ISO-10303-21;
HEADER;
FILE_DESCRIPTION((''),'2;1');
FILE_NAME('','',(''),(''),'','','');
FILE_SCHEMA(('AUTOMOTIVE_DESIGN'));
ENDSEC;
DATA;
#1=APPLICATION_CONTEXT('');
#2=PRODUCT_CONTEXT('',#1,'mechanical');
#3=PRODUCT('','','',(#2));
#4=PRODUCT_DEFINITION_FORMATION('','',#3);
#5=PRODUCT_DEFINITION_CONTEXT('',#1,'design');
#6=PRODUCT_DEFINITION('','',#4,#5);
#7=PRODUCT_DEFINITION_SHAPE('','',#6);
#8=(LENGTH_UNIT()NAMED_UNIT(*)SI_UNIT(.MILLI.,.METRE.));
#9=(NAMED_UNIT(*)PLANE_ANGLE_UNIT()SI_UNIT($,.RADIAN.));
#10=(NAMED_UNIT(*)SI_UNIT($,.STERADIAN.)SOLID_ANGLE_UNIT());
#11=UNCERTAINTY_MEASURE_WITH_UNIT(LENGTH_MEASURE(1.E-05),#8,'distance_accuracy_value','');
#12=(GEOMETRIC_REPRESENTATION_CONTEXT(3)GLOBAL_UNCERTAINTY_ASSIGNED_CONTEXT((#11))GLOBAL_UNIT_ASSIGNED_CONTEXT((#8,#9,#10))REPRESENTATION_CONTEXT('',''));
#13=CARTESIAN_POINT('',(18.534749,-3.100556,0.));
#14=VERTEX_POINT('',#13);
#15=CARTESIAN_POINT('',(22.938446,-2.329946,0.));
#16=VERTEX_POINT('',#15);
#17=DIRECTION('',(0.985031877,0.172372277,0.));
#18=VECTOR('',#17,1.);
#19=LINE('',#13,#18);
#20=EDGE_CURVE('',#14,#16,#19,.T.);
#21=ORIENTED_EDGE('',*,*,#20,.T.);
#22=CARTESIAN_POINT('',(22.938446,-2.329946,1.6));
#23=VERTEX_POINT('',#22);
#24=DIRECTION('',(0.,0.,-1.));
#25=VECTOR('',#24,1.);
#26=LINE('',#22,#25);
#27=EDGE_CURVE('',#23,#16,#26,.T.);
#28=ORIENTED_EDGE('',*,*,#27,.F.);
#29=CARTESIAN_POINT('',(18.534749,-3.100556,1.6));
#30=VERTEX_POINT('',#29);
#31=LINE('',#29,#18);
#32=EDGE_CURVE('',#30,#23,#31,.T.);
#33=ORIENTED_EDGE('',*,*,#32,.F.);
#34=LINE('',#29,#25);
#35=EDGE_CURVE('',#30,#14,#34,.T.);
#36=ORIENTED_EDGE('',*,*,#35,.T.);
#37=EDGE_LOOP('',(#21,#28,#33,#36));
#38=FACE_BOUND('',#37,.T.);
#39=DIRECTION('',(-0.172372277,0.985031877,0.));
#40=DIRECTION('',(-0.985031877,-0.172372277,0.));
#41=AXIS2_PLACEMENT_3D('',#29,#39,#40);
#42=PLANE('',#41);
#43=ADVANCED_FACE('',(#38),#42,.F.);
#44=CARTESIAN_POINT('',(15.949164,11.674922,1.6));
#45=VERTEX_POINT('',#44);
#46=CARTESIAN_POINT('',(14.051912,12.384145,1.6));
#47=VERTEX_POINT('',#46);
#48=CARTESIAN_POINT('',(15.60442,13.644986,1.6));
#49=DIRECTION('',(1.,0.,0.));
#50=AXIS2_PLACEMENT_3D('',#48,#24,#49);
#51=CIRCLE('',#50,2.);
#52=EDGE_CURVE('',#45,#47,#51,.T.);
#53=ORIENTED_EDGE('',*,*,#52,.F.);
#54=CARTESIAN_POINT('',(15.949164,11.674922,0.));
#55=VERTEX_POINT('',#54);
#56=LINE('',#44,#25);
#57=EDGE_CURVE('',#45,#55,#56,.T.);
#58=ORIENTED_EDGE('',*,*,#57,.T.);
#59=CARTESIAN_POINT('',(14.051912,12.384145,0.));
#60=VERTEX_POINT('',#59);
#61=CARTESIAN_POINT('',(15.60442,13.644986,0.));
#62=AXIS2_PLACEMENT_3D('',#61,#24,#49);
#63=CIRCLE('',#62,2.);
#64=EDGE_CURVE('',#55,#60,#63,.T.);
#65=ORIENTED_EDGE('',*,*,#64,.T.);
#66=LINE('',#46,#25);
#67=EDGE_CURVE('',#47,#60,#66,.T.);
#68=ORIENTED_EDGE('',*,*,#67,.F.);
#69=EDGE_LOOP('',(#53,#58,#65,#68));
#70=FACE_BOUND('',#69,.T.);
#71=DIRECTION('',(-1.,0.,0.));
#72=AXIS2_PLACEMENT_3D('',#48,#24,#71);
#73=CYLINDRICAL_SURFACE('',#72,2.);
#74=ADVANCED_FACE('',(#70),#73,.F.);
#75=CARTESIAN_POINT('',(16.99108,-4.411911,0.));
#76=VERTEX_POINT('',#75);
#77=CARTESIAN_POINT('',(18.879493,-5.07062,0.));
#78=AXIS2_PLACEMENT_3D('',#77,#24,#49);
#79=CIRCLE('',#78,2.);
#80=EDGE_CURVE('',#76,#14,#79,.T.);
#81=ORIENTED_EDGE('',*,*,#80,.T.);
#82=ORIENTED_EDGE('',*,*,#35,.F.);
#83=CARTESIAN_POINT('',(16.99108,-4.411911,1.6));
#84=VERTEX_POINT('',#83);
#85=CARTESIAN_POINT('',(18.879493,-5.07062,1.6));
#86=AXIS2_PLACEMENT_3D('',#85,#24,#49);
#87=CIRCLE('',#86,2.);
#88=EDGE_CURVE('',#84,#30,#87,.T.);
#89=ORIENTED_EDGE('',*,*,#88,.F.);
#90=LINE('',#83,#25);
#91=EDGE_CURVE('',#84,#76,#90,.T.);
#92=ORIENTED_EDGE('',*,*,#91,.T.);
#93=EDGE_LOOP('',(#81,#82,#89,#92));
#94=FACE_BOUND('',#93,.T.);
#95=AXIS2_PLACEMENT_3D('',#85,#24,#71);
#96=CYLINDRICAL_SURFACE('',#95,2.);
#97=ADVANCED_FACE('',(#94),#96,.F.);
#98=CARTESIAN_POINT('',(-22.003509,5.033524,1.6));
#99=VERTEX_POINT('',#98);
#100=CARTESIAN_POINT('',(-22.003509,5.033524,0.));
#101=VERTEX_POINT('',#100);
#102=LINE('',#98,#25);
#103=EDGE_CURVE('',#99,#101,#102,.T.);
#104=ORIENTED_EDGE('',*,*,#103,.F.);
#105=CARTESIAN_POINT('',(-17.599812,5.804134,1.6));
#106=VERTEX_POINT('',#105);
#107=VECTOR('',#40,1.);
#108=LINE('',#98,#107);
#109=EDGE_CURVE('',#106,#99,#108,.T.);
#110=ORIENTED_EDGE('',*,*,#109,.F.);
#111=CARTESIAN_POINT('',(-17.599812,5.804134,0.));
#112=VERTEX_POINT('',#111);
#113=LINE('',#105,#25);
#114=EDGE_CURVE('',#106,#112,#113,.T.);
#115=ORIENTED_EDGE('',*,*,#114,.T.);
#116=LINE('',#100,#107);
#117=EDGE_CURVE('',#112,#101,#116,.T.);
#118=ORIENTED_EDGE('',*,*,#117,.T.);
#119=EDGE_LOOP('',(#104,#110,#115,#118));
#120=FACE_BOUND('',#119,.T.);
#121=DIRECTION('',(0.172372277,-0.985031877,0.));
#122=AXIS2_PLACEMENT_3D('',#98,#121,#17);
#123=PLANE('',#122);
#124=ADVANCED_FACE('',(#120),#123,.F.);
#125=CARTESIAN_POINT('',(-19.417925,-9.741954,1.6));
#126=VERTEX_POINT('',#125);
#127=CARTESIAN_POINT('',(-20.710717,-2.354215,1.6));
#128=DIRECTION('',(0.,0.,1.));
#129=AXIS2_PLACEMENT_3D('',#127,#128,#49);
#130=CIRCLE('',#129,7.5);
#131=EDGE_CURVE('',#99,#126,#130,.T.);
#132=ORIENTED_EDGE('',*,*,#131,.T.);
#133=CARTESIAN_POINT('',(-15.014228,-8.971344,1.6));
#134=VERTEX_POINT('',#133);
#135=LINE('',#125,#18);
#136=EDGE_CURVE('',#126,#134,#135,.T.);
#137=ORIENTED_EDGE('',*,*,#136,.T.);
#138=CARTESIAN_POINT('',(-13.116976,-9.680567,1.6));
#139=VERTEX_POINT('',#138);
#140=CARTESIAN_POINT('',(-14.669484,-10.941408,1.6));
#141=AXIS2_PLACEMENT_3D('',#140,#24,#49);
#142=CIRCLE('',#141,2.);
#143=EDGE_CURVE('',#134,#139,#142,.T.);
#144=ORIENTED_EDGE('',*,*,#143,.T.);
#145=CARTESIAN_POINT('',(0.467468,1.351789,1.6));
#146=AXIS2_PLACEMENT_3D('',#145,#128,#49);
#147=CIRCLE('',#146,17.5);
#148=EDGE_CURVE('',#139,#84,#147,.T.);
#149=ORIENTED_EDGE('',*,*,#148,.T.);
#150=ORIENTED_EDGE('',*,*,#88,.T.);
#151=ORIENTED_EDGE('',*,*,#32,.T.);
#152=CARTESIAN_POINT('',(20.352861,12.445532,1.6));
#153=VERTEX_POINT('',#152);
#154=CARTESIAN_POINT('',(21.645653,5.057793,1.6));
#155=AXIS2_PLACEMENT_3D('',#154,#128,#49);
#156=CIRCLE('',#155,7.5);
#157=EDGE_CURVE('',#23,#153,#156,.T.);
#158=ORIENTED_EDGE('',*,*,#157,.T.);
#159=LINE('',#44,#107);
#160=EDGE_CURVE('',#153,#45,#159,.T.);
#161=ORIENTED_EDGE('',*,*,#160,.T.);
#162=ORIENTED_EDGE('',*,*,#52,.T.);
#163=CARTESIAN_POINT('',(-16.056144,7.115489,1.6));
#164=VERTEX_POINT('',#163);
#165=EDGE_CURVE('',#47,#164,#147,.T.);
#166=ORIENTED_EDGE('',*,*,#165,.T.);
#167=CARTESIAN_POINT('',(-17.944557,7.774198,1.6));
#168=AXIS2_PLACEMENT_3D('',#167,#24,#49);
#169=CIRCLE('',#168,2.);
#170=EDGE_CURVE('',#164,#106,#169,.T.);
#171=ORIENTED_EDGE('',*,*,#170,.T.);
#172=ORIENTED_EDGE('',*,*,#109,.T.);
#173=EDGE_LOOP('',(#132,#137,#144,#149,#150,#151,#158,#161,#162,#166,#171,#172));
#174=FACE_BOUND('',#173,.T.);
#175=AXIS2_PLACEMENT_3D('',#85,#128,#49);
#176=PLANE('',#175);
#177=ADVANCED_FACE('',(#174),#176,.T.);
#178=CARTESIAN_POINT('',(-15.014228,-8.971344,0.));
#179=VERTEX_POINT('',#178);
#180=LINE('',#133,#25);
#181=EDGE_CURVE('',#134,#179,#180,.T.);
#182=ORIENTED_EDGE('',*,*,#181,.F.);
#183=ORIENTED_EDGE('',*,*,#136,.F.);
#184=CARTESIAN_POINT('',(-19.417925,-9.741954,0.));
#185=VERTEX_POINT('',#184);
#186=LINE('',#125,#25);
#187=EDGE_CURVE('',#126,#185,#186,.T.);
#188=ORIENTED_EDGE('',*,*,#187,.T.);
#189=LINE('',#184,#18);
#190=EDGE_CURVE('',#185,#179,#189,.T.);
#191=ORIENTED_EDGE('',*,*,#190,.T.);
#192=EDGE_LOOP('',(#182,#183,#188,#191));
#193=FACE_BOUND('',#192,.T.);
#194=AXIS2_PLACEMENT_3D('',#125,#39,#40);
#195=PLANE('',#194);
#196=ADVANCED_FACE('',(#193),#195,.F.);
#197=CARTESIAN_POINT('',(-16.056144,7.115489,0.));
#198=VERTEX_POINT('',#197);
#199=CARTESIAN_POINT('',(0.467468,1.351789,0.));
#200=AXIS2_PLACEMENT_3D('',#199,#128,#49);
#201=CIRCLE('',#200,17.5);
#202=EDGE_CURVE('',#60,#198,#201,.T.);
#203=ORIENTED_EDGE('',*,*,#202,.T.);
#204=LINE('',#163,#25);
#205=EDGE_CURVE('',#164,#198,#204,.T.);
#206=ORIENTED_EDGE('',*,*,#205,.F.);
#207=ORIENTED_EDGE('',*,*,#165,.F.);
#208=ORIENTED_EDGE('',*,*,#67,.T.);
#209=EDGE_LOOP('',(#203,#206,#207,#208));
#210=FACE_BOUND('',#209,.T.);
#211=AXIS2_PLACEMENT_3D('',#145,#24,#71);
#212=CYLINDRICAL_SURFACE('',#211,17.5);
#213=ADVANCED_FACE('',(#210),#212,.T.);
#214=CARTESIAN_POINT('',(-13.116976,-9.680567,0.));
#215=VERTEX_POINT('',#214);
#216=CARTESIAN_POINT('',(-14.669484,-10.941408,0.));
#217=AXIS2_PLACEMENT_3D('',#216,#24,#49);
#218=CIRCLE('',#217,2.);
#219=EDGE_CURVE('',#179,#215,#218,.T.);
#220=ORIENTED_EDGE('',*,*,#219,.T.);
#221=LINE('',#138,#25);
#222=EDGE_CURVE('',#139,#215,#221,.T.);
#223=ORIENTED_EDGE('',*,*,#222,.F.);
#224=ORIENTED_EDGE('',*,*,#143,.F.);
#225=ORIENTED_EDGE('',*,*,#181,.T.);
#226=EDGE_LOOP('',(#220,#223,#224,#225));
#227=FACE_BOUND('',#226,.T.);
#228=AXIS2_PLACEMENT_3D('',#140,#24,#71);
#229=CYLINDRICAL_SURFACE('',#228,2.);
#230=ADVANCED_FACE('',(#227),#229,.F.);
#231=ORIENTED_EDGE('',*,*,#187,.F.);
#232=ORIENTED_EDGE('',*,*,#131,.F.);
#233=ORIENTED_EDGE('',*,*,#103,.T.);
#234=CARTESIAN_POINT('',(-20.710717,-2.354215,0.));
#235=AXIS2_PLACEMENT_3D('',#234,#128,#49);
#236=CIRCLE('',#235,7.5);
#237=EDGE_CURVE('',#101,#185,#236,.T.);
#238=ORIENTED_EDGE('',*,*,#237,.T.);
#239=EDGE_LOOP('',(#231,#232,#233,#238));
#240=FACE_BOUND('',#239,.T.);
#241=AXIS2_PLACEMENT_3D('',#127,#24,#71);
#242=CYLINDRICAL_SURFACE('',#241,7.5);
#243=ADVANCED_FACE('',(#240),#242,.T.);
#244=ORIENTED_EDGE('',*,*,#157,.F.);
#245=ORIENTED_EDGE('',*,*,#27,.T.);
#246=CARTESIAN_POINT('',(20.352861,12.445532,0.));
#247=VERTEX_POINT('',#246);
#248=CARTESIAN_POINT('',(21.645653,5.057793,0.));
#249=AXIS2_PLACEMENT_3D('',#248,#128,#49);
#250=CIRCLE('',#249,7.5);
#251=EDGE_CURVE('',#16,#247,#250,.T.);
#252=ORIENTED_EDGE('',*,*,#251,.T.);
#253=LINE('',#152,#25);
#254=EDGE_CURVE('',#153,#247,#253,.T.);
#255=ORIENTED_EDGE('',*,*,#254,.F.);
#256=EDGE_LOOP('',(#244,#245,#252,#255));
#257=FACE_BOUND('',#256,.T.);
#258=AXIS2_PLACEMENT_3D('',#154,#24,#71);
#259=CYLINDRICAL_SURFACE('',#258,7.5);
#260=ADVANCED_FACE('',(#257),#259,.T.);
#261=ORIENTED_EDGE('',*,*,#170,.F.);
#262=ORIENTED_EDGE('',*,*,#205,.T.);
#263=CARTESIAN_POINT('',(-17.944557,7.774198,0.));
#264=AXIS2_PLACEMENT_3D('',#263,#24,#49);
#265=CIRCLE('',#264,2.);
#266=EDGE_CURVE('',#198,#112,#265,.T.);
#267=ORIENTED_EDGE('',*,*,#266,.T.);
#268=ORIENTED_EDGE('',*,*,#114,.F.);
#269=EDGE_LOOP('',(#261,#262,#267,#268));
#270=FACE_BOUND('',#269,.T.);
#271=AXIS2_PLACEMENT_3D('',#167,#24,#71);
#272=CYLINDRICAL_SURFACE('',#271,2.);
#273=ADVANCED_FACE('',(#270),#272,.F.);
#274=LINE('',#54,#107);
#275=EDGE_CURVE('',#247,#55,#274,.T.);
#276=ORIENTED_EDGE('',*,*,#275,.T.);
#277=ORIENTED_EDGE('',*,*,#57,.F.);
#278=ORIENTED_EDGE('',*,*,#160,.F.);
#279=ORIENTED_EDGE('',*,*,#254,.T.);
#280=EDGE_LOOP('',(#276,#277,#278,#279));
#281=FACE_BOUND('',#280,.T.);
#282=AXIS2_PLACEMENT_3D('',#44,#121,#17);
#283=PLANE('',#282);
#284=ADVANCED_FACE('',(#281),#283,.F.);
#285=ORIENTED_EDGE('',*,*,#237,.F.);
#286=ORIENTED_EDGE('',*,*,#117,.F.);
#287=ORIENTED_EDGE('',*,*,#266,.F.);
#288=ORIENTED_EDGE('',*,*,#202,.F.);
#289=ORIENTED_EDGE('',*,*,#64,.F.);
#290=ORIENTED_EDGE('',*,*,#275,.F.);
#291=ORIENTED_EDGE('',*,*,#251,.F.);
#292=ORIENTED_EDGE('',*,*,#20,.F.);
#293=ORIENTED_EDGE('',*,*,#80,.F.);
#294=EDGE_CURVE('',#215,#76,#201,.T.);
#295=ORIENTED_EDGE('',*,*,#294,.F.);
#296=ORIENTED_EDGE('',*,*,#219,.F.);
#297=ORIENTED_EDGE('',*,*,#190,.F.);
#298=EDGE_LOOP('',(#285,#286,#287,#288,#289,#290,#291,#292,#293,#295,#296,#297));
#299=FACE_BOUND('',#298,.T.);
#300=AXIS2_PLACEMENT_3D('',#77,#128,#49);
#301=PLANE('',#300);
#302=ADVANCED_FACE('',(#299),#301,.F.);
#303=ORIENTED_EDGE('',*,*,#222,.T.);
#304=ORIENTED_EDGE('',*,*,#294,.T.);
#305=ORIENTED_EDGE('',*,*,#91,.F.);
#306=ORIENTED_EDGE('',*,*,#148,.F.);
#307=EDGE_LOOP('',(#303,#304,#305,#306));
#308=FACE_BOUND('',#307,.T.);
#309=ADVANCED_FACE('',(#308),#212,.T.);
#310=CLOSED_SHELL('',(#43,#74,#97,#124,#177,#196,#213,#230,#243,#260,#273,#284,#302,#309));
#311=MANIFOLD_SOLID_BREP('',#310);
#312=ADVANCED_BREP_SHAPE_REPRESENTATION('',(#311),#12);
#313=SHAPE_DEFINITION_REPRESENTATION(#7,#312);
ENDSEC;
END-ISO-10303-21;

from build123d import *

# Parameters (mm, degrees)
BOSS_EXTRUDE1_DEPTH = 1.6


with BuildPart() as part:
    # Sketch1 → Boss-Extrude1 (new body)
    with BuildSketch(Plane.XY):
        with BuildLine():
            Line((-22.003509284, 5.033524036), (-17.599812346, 5.804133886))
            ThreePointArc((-17.599812346, 5.804133886), (-16.649697423, 6.249947352), (-16.056144074, 7.115489052))
            ThreePointArc((-16.056144074, 7.115489052), (-2.5490467, 18.589846752), (14.05191205, 12.384145126))
            ThreePointArc((14.05191205, 12.384145126), (14.904118282, 11.771599168), (15.949164479, 11.674922083))
            Line((15.949164479, 11.674922083), (20.352861417, 12.445531933))
            ThreePointArc((20.352861417, 12.445531933), (29.033392568, 6.350584932), (22.938445567, -2.329946219))
            Line((22.938445567, -2.329946219), (18.534748629, -3.100556069))
            ThreePointArc((18.534748629, -3.100556069), (17.584633707, -3.546369535), (16.991080357, -4.411911234))
            ThreePointArc((16.991080357, -4.411911234), (3.483982983, -15.886268935), (-13.116975767, -9.680567308))
            ThreePointArc((-13.116975767, -9.680567308), (-13.969181999, -9.068021351), (-15.014228195, -8.971344265))
            Line((-15.014228195, -8.971344265), (-19.417925134, -9.741954115))
            ThreePointArc((-19.417925134, -9.741954115), (-28.098456284, -3.647007115), (-22.003509284, 5.033524036))
        make_face()
    extrude(amount=BOSS_EXTRUDE1_DEPTH)


solid = part.part
